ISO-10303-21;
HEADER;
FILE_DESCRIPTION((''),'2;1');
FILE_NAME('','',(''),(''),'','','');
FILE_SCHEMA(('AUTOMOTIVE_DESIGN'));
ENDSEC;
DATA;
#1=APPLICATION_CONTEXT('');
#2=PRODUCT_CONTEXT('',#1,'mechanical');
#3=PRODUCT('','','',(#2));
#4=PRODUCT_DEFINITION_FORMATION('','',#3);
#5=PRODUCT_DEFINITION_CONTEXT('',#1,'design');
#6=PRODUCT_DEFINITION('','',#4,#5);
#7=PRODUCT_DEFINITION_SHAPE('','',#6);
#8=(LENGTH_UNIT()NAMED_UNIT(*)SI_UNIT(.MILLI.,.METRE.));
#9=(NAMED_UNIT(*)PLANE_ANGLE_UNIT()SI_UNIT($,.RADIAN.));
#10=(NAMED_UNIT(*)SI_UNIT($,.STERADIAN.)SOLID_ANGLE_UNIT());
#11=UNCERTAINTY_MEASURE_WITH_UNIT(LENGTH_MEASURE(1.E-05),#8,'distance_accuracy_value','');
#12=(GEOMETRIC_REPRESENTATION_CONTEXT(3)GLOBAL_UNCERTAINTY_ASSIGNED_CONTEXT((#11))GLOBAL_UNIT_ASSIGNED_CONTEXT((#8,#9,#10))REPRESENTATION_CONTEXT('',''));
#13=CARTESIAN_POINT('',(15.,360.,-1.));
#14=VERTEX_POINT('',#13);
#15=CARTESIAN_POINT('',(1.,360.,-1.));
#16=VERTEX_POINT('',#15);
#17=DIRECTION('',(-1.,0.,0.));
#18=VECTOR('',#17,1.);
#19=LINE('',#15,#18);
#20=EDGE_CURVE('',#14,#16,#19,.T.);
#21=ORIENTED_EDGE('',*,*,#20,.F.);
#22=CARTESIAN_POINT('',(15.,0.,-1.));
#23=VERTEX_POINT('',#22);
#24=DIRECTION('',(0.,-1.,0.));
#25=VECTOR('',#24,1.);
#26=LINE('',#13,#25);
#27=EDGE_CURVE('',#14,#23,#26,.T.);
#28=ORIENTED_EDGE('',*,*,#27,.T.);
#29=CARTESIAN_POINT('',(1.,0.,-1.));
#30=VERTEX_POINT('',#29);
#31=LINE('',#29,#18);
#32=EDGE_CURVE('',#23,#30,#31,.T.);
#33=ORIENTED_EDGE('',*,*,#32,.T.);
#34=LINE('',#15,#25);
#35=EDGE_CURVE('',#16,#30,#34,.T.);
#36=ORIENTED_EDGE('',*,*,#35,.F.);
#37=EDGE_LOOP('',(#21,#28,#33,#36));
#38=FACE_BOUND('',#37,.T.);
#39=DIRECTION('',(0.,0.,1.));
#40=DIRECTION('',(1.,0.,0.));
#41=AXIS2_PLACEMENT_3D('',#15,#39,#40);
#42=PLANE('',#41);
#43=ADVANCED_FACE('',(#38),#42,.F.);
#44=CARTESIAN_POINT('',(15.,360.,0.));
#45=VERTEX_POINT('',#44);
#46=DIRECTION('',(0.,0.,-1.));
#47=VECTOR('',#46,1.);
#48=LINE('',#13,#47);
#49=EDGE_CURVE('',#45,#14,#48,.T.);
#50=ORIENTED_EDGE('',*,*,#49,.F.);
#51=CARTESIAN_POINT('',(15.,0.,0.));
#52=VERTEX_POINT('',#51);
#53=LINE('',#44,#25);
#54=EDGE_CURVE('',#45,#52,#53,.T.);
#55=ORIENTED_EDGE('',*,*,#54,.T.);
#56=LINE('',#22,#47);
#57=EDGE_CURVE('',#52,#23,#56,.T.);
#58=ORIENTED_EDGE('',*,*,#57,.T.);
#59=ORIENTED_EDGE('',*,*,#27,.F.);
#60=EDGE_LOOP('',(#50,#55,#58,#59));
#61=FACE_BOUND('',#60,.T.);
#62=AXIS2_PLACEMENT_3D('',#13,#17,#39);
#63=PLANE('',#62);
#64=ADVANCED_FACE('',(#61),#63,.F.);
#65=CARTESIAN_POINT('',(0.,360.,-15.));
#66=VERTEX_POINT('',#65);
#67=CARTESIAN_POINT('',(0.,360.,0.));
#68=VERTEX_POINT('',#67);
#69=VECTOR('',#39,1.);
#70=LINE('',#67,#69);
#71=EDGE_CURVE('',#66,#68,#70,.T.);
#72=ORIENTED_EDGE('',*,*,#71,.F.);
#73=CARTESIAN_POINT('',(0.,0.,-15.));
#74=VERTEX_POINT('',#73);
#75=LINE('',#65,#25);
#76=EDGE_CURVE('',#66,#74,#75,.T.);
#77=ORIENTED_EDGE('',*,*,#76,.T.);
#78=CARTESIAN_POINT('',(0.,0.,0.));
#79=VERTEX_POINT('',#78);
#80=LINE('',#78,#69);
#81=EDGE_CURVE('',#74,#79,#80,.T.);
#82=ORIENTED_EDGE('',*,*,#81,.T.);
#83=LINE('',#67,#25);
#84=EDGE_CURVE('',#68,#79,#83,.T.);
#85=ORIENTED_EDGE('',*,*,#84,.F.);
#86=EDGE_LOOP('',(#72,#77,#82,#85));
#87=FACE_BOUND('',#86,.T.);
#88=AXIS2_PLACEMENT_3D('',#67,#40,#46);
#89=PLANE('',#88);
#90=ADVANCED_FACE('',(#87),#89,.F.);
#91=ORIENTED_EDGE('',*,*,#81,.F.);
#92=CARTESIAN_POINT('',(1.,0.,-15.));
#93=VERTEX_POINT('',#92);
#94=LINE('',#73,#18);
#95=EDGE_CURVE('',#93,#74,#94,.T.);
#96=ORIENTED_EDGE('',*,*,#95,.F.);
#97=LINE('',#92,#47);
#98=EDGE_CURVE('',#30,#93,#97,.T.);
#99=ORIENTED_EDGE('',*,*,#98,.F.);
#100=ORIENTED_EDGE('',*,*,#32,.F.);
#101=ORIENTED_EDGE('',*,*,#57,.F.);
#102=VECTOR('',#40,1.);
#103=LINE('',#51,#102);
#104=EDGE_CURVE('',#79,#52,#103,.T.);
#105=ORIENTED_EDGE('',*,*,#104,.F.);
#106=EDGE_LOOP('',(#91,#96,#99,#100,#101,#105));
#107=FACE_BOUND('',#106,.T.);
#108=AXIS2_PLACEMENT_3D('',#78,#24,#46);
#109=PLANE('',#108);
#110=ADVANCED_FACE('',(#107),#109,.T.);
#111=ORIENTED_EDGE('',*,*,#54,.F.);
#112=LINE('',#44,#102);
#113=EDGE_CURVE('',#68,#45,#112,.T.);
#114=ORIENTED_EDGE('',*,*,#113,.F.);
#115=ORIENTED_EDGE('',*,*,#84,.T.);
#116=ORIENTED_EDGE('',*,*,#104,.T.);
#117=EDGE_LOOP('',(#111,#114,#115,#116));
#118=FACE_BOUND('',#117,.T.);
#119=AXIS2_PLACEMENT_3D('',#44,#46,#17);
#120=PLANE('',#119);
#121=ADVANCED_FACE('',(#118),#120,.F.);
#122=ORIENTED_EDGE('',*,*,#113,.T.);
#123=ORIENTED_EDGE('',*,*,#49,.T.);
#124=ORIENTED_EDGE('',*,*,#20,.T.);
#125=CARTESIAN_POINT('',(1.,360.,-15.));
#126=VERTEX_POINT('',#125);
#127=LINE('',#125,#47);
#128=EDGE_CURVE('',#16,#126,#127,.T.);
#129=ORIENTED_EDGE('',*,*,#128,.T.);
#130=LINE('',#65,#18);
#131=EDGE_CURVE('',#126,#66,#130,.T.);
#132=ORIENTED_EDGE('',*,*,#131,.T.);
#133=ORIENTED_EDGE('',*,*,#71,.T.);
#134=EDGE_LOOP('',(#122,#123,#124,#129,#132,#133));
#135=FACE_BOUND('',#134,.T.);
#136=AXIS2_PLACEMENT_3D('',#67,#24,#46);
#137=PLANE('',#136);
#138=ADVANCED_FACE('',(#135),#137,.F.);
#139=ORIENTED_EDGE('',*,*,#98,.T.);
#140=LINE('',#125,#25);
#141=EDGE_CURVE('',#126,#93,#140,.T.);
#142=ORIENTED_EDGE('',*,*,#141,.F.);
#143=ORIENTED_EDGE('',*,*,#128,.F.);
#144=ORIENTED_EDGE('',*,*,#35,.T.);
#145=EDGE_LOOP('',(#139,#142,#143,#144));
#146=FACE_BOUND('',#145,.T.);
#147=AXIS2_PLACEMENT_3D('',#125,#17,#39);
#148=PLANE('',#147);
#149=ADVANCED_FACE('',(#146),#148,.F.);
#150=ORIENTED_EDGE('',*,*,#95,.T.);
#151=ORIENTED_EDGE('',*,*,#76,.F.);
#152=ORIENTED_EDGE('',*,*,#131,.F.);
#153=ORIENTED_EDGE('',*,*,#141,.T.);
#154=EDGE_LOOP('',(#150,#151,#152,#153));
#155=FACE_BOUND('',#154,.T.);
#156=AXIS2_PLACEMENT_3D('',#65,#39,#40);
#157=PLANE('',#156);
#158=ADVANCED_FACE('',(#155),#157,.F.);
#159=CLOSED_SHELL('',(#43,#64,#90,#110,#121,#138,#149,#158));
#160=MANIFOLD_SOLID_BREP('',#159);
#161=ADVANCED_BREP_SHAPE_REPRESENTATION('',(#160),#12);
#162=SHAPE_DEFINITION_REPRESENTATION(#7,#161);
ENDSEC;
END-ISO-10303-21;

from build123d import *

# Parameters (mm, degrees)
EXTRUDE_1_DEPTH = 360


with BuildPart() as part:
    # Эскиз1 → Бобышка-Вытянуть1 (new body)
    with BuildSketch(Plane(origin=(0, 0, 0), x_dir=(1, 0, 0), z_dir=(0, 1, 0))):
        Polygon((0, 0), (0, 15), (1, 15), (1, 1), (15, 1), (15, 0), align=None)
    extrude(amount=EXTRUDE_1_DEPTH)


solid = part.part
